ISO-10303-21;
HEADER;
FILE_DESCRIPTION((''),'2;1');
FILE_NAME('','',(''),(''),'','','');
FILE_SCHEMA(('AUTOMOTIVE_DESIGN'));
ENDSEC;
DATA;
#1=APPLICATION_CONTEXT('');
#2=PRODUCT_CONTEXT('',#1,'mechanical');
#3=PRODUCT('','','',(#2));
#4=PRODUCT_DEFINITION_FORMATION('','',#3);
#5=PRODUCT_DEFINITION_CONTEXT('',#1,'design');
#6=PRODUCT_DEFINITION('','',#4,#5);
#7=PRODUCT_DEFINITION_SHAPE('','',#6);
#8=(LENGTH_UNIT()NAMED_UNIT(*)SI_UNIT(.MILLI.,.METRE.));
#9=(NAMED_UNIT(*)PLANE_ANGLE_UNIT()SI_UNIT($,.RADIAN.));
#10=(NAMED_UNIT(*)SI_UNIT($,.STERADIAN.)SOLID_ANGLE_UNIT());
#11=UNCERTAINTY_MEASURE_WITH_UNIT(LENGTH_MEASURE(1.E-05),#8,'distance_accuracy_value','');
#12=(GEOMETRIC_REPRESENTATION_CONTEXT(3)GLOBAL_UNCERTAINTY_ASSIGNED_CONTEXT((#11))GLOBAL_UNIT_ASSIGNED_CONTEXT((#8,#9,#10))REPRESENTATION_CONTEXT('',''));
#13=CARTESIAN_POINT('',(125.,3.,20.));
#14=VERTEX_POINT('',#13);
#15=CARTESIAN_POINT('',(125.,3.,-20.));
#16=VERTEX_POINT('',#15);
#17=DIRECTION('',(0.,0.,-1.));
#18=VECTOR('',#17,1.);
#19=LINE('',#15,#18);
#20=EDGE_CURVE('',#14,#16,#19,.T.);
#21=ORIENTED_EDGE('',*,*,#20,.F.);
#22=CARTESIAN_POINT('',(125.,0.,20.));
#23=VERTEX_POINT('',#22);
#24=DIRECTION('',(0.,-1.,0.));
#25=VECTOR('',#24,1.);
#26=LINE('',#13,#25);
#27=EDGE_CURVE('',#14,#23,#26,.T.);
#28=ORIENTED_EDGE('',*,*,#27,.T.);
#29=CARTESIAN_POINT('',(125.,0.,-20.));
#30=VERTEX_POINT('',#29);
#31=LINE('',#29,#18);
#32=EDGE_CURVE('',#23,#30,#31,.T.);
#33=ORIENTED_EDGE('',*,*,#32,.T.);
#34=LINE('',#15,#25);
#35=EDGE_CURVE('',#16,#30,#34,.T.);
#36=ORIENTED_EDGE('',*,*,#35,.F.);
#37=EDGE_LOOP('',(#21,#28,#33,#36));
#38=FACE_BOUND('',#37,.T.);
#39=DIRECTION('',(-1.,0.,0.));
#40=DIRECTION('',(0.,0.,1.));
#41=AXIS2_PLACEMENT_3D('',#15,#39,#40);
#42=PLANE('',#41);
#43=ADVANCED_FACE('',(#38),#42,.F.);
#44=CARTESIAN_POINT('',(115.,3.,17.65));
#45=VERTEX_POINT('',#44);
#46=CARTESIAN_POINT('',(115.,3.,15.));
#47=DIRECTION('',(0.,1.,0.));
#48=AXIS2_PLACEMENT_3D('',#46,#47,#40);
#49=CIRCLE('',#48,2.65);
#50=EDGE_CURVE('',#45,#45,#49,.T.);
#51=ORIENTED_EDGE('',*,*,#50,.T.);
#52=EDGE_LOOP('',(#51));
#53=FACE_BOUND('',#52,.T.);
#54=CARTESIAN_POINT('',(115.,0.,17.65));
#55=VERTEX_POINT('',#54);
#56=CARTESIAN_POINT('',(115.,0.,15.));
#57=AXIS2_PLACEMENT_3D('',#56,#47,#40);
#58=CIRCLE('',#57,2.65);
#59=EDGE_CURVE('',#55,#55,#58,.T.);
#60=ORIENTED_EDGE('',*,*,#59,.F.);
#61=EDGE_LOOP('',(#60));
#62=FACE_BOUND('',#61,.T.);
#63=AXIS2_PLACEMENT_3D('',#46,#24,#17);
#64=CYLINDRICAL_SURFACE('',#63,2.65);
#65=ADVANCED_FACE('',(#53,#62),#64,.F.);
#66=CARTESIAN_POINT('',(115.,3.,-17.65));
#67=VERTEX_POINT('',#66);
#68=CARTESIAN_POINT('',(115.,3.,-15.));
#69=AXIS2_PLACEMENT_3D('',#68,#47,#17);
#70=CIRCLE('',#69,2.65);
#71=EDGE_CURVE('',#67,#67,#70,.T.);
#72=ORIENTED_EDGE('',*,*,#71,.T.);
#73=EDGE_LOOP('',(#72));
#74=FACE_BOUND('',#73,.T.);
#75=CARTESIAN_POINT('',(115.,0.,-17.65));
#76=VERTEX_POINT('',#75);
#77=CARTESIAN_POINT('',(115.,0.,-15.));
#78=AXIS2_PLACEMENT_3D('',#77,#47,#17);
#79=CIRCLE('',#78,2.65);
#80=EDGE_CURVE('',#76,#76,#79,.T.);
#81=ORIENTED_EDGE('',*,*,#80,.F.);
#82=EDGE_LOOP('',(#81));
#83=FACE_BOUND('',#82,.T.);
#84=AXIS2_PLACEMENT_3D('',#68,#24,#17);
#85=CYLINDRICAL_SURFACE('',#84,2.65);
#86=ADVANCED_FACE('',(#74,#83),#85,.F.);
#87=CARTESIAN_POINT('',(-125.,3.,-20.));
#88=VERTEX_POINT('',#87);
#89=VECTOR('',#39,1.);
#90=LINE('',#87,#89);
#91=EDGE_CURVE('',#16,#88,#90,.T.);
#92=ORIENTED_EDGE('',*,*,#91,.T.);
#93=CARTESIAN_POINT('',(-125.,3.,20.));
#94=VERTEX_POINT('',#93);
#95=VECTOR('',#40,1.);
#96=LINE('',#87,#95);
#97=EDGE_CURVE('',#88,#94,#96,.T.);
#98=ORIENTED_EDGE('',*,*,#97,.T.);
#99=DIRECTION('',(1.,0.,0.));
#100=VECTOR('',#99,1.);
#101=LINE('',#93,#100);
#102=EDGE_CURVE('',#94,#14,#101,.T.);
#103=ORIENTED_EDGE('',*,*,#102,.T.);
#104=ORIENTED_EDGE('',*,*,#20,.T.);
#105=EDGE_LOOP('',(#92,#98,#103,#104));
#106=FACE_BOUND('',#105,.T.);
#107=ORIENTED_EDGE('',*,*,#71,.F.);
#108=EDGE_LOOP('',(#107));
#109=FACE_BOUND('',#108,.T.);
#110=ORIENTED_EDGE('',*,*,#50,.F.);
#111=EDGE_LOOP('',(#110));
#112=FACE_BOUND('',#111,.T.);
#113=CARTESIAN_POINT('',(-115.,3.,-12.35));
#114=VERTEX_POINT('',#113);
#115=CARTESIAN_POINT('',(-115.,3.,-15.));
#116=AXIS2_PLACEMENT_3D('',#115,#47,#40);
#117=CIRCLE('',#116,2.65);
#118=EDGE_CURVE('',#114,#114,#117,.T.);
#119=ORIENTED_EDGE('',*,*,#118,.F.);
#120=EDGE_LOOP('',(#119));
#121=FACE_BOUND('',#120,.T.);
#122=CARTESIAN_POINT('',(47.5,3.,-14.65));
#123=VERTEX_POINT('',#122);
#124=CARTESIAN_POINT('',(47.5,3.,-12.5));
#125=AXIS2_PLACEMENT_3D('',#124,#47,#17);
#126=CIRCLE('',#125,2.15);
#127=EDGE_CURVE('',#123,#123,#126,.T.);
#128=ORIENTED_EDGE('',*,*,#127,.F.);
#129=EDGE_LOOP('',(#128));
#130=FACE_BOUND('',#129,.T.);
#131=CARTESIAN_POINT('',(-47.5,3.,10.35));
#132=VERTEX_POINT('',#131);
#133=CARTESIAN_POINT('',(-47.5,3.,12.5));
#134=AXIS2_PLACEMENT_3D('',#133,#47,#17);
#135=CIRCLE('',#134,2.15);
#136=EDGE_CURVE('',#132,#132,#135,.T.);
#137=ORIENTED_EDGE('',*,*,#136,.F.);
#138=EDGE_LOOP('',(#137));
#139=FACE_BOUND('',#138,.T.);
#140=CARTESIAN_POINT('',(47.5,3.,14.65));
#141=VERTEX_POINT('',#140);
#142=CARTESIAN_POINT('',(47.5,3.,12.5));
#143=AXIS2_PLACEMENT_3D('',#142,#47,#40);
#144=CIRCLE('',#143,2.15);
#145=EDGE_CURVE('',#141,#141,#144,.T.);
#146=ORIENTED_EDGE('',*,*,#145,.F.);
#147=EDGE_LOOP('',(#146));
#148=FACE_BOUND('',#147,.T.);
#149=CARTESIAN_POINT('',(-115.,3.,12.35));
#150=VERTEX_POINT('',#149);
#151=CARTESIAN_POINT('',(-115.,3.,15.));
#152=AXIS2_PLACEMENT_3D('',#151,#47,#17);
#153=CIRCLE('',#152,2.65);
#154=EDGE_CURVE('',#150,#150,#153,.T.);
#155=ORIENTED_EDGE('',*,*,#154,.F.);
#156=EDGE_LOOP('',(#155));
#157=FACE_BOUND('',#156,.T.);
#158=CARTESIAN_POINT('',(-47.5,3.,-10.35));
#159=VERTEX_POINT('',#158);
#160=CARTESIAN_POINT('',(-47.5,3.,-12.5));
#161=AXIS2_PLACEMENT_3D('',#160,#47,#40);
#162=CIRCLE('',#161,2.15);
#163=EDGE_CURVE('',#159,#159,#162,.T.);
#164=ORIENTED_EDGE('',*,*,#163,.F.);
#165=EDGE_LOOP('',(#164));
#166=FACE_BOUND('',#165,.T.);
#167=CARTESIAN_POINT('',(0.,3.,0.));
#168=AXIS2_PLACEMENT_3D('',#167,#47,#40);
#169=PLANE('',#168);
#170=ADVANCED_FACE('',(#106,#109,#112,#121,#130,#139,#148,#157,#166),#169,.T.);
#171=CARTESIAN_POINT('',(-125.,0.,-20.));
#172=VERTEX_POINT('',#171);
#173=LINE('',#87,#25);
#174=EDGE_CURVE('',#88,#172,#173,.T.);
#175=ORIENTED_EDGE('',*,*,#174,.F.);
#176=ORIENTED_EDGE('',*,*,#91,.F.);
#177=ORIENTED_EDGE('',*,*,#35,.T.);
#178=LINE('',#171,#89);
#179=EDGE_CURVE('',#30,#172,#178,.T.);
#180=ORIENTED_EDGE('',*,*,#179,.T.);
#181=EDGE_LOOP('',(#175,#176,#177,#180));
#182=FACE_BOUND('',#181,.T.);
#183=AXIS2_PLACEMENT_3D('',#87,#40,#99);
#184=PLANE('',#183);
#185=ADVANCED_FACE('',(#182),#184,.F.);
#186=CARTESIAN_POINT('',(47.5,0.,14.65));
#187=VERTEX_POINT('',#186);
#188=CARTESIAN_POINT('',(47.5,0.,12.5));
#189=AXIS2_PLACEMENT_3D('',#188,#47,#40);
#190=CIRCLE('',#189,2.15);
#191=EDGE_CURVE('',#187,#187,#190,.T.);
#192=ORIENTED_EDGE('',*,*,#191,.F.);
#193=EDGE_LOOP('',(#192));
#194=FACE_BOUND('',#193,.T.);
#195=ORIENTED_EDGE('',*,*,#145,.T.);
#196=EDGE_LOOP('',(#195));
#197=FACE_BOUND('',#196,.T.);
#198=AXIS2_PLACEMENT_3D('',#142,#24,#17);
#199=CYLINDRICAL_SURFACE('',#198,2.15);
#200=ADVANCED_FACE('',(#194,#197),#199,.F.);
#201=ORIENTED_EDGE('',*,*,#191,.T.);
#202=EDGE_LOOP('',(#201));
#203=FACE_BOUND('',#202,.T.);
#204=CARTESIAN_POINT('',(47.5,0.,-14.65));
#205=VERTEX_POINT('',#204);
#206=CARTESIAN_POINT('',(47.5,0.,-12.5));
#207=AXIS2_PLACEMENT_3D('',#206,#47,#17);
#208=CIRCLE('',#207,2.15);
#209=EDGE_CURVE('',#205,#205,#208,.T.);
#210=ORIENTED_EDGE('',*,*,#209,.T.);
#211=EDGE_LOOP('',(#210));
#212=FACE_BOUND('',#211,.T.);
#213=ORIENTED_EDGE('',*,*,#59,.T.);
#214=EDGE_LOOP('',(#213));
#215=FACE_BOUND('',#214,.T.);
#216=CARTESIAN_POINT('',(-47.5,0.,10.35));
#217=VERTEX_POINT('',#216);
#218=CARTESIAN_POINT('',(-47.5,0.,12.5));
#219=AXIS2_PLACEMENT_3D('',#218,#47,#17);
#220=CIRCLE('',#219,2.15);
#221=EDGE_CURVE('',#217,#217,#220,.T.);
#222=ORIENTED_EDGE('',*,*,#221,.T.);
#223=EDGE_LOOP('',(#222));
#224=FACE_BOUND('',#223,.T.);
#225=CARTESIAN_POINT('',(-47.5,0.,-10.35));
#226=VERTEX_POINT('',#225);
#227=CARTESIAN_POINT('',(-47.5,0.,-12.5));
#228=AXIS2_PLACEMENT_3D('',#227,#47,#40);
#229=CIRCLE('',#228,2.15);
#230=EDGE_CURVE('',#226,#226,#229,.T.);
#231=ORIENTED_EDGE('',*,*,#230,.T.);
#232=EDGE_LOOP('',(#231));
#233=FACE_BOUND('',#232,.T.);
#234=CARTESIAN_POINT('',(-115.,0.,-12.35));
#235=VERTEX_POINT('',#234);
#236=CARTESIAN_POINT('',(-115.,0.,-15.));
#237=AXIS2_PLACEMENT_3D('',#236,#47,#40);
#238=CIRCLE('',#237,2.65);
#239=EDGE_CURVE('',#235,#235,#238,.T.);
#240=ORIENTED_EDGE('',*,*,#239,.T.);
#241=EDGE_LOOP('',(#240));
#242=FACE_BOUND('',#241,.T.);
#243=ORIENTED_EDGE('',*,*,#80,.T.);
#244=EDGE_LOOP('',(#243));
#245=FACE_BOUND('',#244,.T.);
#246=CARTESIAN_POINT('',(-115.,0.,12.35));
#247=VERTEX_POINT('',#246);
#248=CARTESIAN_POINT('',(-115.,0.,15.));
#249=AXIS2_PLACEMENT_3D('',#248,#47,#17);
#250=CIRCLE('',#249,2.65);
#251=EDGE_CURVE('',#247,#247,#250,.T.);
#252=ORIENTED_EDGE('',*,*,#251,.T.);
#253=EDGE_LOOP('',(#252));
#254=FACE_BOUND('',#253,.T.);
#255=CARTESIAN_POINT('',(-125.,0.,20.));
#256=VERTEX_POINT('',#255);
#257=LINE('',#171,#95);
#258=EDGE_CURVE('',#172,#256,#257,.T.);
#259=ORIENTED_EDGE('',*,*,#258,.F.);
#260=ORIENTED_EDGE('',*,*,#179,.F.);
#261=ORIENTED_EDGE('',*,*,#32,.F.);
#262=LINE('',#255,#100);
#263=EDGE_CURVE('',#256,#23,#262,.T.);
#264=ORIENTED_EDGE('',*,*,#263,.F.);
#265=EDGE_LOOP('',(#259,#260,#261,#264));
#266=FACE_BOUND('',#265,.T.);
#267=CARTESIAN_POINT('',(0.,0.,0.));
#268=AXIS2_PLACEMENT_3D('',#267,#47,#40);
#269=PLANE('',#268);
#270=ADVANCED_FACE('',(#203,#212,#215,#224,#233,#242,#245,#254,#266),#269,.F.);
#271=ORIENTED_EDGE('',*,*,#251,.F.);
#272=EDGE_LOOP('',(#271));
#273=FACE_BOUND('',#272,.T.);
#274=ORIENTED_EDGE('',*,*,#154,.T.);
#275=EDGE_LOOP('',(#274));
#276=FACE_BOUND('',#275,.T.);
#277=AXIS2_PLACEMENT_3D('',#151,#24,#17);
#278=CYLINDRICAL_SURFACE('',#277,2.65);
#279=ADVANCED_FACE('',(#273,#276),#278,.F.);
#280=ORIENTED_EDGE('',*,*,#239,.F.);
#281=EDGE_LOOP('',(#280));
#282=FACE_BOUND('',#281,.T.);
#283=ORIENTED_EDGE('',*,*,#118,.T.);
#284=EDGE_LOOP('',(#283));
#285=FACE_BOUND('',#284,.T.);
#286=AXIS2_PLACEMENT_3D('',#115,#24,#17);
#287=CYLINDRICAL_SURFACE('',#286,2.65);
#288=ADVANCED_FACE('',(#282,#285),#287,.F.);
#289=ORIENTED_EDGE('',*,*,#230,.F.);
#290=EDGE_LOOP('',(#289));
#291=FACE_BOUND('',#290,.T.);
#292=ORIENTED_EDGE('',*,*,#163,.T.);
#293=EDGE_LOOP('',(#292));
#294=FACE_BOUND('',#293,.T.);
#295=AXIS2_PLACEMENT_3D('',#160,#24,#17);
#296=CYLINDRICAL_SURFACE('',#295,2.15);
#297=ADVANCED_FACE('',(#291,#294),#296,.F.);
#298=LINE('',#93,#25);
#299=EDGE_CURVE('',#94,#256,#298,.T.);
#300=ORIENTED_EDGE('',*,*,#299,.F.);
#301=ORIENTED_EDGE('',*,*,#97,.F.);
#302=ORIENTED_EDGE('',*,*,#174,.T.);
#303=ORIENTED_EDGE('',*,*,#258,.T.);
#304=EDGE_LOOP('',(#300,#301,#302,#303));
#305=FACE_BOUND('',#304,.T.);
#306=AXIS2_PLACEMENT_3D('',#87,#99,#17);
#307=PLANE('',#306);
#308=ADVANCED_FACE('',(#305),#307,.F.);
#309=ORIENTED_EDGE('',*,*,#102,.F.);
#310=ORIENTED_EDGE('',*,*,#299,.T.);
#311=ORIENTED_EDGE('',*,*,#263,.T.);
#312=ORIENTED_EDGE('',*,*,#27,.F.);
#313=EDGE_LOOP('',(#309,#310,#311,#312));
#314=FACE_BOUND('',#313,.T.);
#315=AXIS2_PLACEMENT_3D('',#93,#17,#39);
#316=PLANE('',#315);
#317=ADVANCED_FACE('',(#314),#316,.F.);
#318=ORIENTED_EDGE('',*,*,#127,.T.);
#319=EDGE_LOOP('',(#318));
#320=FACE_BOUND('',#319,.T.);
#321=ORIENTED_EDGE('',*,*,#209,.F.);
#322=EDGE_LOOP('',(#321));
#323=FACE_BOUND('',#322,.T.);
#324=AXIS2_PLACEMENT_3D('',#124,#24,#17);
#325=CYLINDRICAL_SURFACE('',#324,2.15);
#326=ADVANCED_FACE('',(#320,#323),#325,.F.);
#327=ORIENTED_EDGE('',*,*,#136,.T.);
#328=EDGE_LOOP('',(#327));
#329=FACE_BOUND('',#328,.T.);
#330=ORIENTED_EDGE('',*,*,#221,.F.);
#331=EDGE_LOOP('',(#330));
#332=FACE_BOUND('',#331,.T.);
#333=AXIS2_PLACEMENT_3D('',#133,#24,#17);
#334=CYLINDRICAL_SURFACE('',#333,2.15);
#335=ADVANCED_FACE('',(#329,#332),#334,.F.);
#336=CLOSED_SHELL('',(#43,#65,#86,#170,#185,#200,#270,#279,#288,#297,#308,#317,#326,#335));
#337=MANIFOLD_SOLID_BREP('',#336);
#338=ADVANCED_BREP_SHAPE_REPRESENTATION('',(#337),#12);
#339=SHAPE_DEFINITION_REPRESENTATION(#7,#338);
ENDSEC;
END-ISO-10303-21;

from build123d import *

# Parameters (mm, degrees)
SKETCH_1_W      = 250
SKETCH_1_H      = 40
SKETCH_1_R      = 2.15
SKETCH_1_R_2    = 2.65
EXTRUDE_1_DEPTH = 3


with BuildPart() as part:
    # 草图1 → 凸台-拉伸1 (new body)
    with BuildSketch(Plane(origin=(0, 0, 0), x_dir=(1, 0, 0), z_dir=(0, 1, 0))):
        Rectangle(SKETCH_1_W, SKETCH_1_H)
        with Locations(Location((-47.5, 12.5, 0), (0, 0, 270))):
            Circle(SKETCH_1_R, mode=Mode.SUBTRACT)
        with Locations(Location((47.5, 12.5, 0), (0, 0, 90))):
            Circle(SKETCH_1_R, mode=Mode.SUBTRACT)
        with Locations(Location((47.5, -12.5, 0), (0, 0, 270))):
            Circle(SKETCH_1_R, mode=Mode.SUBTRACT)
        with Locations(Location((-47.5, -12.5, 0), (0, 0, 90))):
            Circle(SKETCH_1_R, mode=Mode.SUBTRACT)
        with Locations(Location((-115, 15, 0), (0, 0, 270))):
            Circle(SKETCH_1_R_2, mode=Mode.SUBTRACT)
        with Locations(Location((115, 15, 0), (0, 0, 90))):
            Circle(SKETCH_1_R_2, mode=Mode.SUBTRACT)
        with Locations(Location((-115, -15, 0), (0, 0, 90))):
            Circle(SKETCH_1_R_2, mode=Mode.SUBTRACT)
        with Locations(Location((115, -15, 0), (0, 0, 270))):
            Circle(SKETCH_1_R_2, mode=Mode.SUBTRACT)
    extrude(amount=EXTRUDE_1_DEPTH)


solid = part.part
